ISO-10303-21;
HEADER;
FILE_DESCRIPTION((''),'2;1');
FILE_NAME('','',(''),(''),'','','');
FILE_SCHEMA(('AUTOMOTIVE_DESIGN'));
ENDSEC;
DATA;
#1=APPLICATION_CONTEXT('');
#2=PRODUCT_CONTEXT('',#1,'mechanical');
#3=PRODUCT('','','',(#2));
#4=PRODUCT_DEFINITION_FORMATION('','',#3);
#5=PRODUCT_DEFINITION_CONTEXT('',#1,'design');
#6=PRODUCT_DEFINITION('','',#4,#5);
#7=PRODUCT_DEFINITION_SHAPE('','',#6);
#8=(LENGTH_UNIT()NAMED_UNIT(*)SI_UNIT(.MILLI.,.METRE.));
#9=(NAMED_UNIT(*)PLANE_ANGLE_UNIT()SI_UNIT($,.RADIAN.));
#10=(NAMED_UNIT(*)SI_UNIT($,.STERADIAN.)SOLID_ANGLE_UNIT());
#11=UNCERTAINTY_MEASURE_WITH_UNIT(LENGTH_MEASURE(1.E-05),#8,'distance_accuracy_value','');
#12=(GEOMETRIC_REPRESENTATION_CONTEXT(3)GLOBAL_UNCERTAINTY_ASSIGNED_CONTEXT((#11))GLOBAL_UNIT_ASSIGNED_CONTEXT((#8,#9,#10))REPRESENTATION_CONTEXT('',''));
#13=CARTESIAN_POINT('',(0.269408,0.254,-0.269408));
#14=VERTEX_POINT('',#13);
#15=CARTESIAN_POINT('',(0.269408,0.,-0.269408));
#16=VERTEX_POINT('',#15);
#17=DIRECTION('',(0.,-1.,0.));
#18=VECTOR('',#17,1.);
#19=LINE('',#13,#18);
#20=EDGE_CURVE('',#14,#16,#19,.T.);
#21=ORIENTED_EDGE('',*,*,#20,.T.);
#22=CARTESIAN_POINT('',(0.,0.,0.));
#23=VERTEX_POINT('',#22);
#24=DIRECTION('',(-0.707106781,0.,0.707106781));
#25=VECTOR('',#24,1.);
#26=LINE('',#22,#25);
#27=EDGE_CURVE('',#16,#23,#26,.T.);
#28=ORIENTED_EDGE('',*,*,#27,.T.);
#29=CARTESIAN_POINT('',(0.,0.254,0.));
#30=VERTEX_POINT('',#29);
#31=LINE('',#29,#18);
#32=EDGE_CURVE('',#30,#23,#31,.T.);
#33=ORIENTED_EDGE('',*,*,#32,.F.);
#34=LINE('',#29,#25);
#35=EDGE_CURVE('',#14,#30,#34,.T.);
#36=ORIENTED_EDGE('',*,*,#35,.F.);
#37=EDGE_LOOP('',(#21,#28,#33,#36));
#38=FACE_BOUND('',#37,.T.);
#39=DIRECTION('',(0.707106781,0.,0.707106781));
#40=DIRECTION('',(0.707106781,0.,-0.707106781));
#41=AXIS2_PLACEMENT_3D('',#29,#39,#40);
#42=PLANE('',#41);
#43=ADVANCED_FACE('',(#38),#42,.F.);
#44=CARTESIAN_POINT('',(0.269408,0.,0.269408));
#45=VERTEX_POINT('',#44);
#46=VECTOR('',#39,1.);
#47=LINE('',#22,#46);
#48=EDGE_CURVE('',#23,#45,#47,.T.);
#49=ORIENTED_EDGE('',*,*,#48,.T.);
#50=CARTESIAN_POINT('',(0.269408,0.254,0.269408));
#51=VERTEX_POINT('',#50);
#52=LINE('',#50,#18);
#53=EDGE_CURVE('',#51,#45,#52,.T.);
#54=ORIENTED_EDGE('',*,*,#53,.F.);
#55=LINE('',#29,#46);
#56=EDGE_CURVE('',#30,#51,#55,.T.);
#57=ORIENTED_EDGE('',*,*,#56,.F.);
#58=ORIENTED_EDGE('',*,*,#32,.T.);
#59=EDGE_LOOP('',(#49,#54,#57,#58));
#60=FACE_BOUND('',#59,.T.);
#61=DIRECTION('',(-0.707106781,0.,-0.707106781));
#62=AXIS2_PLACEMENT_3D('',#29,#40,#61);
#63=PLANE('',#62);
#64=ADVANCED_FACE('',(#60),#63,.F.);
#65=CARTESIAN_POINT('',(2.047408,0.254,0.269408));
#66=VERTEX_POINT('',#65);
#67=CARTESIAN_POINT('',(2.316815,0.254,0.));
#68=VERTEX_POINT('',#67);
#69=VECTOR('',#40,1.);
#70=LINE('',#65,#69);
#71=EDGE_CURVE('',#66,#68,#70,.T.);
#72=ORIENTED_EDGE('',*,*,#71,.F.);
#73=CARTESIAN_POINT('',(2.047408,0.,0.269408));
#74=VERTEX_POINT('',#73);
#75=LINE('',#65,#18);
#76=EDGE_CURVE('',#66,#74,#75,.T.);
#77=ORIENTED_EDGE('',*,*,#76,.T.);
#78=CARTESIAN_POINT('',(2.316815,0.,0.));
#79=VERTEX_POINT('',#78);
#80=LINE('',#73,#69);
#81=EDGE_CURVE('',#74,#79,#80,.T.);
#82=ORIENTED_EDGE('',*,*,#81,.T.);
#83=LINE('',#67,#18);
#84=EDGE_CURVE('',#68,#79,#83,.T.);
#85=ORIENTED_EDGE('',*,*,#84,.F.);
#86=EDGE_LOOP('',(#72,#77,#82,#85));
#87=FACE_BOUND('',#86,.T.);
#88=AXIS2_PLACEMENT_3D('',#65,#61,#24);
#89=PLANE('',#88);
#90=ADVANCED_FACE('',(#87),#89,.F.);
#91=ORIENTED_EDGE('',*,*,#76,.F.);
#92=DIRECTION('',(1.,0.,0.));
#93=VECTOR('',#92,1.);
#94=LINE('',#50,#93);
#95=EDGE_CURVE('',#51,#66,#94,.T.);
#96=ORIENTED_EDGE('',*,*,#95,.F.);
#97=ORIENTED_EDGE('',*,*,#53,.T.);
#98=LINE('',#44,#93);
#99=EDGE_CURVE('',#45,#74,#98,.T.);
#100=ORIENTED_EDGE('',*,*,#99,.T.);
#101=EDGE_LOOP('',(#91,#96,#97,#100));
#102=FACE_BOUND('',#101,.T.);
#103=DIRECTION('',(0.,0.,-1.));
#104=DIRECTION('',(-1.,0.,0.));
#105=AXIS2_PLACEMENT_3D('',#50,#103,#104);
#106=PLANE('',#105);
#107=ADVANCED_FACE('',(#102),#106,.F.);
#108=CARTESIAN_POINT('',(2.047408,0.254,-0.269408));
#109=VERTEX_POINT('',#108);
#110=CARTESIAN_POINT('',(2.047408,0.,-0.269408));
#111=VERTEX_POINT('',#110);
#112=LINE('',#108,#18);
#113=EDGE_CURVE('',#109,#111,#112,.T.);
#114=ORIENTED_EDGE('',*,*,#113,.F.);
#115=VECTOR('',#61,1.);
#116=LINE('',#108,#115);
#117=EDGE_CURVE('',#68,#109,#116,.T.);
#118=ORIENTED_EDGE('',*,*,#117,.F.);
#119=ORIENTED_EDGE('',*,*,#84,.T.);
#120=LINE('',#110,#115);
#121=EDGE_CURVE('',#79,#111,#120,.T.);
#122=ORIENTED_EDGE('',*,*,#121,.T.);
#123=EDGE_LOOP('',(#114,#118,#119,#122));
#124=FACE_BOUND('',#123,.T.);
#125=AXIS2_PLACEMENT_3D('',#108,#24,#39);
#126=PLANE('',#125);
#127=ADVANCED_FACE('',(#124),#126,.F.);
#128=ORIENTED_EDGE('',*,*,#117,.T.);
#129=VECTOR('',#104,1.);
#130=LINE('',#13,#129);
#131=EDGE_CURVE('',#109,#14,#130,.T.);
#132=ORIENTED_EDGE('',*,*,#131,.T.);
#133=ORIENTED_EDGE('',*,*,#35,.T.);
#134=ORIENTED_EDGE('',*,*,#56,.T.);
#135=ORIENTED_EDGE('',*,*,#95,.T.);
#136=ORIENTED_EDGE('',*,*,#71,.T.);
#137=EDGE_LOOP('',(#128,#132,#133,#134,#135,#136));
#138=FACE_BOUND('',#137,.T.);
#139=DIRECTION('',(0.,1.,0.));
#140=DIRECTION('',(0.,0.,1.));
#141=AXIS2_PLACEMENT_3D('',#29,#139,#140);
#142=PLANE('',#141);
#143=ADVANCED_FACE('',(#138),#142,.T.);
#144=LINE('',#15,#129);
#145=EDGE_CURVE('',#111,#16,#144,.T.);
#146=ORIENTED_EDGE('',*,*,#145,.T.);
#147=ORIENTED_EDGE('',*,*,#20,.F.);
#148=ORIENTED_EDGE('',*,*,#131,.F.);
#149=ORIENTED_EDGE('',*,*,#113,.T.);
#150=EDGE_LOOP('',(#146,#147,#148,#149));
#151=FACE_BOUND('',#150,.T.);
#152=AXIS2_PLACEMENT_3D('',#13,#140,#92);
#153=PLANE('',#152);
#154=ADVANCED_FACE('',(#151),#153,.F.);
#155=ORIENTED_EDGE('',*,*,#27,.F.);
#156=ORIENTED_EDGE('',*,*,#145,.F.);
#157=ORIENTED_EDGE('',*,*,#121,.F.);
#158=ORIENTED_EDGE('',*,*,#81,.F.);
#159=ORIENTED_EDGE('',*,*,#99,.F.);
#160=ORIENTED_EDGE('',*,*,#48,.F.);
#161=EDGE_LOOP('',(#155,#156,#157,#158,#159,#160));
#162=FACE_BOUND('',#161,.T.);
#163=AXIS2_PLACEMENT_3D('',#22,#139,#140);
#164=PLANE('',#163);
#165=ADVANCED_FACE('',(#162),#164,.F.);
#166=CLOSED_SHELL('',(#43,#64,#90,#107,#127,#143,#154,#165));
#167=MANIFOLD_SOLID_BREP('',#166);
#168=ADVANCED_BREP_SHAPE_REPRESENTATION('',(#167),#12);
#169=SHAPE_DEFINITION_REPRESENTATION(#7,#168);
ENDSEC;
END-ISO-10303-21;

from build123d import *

# Parameters (mm, degrees)
BOSS_EXTRUDE1_DEPTH = 0.254


with BuildPart() as part:
    # Sketch1 → Boss-Extrude1 (new body)
    with BuildSketch(Plane(origin=(0, 0, 0), x_dir=(1, 0, 0), z_dir=(0, 1, 0))):
        Polygon((0, 0), (0.269407684, 0.269407684), (2.047407684, 0.269407684), (2.316815367, 0), (2.047407684, -0.269407684), (0.269407684, -0.269407684), align=None)
    extrude(amount=BOSS_EXTRUDE1_DEPTH)


solid = part.part
